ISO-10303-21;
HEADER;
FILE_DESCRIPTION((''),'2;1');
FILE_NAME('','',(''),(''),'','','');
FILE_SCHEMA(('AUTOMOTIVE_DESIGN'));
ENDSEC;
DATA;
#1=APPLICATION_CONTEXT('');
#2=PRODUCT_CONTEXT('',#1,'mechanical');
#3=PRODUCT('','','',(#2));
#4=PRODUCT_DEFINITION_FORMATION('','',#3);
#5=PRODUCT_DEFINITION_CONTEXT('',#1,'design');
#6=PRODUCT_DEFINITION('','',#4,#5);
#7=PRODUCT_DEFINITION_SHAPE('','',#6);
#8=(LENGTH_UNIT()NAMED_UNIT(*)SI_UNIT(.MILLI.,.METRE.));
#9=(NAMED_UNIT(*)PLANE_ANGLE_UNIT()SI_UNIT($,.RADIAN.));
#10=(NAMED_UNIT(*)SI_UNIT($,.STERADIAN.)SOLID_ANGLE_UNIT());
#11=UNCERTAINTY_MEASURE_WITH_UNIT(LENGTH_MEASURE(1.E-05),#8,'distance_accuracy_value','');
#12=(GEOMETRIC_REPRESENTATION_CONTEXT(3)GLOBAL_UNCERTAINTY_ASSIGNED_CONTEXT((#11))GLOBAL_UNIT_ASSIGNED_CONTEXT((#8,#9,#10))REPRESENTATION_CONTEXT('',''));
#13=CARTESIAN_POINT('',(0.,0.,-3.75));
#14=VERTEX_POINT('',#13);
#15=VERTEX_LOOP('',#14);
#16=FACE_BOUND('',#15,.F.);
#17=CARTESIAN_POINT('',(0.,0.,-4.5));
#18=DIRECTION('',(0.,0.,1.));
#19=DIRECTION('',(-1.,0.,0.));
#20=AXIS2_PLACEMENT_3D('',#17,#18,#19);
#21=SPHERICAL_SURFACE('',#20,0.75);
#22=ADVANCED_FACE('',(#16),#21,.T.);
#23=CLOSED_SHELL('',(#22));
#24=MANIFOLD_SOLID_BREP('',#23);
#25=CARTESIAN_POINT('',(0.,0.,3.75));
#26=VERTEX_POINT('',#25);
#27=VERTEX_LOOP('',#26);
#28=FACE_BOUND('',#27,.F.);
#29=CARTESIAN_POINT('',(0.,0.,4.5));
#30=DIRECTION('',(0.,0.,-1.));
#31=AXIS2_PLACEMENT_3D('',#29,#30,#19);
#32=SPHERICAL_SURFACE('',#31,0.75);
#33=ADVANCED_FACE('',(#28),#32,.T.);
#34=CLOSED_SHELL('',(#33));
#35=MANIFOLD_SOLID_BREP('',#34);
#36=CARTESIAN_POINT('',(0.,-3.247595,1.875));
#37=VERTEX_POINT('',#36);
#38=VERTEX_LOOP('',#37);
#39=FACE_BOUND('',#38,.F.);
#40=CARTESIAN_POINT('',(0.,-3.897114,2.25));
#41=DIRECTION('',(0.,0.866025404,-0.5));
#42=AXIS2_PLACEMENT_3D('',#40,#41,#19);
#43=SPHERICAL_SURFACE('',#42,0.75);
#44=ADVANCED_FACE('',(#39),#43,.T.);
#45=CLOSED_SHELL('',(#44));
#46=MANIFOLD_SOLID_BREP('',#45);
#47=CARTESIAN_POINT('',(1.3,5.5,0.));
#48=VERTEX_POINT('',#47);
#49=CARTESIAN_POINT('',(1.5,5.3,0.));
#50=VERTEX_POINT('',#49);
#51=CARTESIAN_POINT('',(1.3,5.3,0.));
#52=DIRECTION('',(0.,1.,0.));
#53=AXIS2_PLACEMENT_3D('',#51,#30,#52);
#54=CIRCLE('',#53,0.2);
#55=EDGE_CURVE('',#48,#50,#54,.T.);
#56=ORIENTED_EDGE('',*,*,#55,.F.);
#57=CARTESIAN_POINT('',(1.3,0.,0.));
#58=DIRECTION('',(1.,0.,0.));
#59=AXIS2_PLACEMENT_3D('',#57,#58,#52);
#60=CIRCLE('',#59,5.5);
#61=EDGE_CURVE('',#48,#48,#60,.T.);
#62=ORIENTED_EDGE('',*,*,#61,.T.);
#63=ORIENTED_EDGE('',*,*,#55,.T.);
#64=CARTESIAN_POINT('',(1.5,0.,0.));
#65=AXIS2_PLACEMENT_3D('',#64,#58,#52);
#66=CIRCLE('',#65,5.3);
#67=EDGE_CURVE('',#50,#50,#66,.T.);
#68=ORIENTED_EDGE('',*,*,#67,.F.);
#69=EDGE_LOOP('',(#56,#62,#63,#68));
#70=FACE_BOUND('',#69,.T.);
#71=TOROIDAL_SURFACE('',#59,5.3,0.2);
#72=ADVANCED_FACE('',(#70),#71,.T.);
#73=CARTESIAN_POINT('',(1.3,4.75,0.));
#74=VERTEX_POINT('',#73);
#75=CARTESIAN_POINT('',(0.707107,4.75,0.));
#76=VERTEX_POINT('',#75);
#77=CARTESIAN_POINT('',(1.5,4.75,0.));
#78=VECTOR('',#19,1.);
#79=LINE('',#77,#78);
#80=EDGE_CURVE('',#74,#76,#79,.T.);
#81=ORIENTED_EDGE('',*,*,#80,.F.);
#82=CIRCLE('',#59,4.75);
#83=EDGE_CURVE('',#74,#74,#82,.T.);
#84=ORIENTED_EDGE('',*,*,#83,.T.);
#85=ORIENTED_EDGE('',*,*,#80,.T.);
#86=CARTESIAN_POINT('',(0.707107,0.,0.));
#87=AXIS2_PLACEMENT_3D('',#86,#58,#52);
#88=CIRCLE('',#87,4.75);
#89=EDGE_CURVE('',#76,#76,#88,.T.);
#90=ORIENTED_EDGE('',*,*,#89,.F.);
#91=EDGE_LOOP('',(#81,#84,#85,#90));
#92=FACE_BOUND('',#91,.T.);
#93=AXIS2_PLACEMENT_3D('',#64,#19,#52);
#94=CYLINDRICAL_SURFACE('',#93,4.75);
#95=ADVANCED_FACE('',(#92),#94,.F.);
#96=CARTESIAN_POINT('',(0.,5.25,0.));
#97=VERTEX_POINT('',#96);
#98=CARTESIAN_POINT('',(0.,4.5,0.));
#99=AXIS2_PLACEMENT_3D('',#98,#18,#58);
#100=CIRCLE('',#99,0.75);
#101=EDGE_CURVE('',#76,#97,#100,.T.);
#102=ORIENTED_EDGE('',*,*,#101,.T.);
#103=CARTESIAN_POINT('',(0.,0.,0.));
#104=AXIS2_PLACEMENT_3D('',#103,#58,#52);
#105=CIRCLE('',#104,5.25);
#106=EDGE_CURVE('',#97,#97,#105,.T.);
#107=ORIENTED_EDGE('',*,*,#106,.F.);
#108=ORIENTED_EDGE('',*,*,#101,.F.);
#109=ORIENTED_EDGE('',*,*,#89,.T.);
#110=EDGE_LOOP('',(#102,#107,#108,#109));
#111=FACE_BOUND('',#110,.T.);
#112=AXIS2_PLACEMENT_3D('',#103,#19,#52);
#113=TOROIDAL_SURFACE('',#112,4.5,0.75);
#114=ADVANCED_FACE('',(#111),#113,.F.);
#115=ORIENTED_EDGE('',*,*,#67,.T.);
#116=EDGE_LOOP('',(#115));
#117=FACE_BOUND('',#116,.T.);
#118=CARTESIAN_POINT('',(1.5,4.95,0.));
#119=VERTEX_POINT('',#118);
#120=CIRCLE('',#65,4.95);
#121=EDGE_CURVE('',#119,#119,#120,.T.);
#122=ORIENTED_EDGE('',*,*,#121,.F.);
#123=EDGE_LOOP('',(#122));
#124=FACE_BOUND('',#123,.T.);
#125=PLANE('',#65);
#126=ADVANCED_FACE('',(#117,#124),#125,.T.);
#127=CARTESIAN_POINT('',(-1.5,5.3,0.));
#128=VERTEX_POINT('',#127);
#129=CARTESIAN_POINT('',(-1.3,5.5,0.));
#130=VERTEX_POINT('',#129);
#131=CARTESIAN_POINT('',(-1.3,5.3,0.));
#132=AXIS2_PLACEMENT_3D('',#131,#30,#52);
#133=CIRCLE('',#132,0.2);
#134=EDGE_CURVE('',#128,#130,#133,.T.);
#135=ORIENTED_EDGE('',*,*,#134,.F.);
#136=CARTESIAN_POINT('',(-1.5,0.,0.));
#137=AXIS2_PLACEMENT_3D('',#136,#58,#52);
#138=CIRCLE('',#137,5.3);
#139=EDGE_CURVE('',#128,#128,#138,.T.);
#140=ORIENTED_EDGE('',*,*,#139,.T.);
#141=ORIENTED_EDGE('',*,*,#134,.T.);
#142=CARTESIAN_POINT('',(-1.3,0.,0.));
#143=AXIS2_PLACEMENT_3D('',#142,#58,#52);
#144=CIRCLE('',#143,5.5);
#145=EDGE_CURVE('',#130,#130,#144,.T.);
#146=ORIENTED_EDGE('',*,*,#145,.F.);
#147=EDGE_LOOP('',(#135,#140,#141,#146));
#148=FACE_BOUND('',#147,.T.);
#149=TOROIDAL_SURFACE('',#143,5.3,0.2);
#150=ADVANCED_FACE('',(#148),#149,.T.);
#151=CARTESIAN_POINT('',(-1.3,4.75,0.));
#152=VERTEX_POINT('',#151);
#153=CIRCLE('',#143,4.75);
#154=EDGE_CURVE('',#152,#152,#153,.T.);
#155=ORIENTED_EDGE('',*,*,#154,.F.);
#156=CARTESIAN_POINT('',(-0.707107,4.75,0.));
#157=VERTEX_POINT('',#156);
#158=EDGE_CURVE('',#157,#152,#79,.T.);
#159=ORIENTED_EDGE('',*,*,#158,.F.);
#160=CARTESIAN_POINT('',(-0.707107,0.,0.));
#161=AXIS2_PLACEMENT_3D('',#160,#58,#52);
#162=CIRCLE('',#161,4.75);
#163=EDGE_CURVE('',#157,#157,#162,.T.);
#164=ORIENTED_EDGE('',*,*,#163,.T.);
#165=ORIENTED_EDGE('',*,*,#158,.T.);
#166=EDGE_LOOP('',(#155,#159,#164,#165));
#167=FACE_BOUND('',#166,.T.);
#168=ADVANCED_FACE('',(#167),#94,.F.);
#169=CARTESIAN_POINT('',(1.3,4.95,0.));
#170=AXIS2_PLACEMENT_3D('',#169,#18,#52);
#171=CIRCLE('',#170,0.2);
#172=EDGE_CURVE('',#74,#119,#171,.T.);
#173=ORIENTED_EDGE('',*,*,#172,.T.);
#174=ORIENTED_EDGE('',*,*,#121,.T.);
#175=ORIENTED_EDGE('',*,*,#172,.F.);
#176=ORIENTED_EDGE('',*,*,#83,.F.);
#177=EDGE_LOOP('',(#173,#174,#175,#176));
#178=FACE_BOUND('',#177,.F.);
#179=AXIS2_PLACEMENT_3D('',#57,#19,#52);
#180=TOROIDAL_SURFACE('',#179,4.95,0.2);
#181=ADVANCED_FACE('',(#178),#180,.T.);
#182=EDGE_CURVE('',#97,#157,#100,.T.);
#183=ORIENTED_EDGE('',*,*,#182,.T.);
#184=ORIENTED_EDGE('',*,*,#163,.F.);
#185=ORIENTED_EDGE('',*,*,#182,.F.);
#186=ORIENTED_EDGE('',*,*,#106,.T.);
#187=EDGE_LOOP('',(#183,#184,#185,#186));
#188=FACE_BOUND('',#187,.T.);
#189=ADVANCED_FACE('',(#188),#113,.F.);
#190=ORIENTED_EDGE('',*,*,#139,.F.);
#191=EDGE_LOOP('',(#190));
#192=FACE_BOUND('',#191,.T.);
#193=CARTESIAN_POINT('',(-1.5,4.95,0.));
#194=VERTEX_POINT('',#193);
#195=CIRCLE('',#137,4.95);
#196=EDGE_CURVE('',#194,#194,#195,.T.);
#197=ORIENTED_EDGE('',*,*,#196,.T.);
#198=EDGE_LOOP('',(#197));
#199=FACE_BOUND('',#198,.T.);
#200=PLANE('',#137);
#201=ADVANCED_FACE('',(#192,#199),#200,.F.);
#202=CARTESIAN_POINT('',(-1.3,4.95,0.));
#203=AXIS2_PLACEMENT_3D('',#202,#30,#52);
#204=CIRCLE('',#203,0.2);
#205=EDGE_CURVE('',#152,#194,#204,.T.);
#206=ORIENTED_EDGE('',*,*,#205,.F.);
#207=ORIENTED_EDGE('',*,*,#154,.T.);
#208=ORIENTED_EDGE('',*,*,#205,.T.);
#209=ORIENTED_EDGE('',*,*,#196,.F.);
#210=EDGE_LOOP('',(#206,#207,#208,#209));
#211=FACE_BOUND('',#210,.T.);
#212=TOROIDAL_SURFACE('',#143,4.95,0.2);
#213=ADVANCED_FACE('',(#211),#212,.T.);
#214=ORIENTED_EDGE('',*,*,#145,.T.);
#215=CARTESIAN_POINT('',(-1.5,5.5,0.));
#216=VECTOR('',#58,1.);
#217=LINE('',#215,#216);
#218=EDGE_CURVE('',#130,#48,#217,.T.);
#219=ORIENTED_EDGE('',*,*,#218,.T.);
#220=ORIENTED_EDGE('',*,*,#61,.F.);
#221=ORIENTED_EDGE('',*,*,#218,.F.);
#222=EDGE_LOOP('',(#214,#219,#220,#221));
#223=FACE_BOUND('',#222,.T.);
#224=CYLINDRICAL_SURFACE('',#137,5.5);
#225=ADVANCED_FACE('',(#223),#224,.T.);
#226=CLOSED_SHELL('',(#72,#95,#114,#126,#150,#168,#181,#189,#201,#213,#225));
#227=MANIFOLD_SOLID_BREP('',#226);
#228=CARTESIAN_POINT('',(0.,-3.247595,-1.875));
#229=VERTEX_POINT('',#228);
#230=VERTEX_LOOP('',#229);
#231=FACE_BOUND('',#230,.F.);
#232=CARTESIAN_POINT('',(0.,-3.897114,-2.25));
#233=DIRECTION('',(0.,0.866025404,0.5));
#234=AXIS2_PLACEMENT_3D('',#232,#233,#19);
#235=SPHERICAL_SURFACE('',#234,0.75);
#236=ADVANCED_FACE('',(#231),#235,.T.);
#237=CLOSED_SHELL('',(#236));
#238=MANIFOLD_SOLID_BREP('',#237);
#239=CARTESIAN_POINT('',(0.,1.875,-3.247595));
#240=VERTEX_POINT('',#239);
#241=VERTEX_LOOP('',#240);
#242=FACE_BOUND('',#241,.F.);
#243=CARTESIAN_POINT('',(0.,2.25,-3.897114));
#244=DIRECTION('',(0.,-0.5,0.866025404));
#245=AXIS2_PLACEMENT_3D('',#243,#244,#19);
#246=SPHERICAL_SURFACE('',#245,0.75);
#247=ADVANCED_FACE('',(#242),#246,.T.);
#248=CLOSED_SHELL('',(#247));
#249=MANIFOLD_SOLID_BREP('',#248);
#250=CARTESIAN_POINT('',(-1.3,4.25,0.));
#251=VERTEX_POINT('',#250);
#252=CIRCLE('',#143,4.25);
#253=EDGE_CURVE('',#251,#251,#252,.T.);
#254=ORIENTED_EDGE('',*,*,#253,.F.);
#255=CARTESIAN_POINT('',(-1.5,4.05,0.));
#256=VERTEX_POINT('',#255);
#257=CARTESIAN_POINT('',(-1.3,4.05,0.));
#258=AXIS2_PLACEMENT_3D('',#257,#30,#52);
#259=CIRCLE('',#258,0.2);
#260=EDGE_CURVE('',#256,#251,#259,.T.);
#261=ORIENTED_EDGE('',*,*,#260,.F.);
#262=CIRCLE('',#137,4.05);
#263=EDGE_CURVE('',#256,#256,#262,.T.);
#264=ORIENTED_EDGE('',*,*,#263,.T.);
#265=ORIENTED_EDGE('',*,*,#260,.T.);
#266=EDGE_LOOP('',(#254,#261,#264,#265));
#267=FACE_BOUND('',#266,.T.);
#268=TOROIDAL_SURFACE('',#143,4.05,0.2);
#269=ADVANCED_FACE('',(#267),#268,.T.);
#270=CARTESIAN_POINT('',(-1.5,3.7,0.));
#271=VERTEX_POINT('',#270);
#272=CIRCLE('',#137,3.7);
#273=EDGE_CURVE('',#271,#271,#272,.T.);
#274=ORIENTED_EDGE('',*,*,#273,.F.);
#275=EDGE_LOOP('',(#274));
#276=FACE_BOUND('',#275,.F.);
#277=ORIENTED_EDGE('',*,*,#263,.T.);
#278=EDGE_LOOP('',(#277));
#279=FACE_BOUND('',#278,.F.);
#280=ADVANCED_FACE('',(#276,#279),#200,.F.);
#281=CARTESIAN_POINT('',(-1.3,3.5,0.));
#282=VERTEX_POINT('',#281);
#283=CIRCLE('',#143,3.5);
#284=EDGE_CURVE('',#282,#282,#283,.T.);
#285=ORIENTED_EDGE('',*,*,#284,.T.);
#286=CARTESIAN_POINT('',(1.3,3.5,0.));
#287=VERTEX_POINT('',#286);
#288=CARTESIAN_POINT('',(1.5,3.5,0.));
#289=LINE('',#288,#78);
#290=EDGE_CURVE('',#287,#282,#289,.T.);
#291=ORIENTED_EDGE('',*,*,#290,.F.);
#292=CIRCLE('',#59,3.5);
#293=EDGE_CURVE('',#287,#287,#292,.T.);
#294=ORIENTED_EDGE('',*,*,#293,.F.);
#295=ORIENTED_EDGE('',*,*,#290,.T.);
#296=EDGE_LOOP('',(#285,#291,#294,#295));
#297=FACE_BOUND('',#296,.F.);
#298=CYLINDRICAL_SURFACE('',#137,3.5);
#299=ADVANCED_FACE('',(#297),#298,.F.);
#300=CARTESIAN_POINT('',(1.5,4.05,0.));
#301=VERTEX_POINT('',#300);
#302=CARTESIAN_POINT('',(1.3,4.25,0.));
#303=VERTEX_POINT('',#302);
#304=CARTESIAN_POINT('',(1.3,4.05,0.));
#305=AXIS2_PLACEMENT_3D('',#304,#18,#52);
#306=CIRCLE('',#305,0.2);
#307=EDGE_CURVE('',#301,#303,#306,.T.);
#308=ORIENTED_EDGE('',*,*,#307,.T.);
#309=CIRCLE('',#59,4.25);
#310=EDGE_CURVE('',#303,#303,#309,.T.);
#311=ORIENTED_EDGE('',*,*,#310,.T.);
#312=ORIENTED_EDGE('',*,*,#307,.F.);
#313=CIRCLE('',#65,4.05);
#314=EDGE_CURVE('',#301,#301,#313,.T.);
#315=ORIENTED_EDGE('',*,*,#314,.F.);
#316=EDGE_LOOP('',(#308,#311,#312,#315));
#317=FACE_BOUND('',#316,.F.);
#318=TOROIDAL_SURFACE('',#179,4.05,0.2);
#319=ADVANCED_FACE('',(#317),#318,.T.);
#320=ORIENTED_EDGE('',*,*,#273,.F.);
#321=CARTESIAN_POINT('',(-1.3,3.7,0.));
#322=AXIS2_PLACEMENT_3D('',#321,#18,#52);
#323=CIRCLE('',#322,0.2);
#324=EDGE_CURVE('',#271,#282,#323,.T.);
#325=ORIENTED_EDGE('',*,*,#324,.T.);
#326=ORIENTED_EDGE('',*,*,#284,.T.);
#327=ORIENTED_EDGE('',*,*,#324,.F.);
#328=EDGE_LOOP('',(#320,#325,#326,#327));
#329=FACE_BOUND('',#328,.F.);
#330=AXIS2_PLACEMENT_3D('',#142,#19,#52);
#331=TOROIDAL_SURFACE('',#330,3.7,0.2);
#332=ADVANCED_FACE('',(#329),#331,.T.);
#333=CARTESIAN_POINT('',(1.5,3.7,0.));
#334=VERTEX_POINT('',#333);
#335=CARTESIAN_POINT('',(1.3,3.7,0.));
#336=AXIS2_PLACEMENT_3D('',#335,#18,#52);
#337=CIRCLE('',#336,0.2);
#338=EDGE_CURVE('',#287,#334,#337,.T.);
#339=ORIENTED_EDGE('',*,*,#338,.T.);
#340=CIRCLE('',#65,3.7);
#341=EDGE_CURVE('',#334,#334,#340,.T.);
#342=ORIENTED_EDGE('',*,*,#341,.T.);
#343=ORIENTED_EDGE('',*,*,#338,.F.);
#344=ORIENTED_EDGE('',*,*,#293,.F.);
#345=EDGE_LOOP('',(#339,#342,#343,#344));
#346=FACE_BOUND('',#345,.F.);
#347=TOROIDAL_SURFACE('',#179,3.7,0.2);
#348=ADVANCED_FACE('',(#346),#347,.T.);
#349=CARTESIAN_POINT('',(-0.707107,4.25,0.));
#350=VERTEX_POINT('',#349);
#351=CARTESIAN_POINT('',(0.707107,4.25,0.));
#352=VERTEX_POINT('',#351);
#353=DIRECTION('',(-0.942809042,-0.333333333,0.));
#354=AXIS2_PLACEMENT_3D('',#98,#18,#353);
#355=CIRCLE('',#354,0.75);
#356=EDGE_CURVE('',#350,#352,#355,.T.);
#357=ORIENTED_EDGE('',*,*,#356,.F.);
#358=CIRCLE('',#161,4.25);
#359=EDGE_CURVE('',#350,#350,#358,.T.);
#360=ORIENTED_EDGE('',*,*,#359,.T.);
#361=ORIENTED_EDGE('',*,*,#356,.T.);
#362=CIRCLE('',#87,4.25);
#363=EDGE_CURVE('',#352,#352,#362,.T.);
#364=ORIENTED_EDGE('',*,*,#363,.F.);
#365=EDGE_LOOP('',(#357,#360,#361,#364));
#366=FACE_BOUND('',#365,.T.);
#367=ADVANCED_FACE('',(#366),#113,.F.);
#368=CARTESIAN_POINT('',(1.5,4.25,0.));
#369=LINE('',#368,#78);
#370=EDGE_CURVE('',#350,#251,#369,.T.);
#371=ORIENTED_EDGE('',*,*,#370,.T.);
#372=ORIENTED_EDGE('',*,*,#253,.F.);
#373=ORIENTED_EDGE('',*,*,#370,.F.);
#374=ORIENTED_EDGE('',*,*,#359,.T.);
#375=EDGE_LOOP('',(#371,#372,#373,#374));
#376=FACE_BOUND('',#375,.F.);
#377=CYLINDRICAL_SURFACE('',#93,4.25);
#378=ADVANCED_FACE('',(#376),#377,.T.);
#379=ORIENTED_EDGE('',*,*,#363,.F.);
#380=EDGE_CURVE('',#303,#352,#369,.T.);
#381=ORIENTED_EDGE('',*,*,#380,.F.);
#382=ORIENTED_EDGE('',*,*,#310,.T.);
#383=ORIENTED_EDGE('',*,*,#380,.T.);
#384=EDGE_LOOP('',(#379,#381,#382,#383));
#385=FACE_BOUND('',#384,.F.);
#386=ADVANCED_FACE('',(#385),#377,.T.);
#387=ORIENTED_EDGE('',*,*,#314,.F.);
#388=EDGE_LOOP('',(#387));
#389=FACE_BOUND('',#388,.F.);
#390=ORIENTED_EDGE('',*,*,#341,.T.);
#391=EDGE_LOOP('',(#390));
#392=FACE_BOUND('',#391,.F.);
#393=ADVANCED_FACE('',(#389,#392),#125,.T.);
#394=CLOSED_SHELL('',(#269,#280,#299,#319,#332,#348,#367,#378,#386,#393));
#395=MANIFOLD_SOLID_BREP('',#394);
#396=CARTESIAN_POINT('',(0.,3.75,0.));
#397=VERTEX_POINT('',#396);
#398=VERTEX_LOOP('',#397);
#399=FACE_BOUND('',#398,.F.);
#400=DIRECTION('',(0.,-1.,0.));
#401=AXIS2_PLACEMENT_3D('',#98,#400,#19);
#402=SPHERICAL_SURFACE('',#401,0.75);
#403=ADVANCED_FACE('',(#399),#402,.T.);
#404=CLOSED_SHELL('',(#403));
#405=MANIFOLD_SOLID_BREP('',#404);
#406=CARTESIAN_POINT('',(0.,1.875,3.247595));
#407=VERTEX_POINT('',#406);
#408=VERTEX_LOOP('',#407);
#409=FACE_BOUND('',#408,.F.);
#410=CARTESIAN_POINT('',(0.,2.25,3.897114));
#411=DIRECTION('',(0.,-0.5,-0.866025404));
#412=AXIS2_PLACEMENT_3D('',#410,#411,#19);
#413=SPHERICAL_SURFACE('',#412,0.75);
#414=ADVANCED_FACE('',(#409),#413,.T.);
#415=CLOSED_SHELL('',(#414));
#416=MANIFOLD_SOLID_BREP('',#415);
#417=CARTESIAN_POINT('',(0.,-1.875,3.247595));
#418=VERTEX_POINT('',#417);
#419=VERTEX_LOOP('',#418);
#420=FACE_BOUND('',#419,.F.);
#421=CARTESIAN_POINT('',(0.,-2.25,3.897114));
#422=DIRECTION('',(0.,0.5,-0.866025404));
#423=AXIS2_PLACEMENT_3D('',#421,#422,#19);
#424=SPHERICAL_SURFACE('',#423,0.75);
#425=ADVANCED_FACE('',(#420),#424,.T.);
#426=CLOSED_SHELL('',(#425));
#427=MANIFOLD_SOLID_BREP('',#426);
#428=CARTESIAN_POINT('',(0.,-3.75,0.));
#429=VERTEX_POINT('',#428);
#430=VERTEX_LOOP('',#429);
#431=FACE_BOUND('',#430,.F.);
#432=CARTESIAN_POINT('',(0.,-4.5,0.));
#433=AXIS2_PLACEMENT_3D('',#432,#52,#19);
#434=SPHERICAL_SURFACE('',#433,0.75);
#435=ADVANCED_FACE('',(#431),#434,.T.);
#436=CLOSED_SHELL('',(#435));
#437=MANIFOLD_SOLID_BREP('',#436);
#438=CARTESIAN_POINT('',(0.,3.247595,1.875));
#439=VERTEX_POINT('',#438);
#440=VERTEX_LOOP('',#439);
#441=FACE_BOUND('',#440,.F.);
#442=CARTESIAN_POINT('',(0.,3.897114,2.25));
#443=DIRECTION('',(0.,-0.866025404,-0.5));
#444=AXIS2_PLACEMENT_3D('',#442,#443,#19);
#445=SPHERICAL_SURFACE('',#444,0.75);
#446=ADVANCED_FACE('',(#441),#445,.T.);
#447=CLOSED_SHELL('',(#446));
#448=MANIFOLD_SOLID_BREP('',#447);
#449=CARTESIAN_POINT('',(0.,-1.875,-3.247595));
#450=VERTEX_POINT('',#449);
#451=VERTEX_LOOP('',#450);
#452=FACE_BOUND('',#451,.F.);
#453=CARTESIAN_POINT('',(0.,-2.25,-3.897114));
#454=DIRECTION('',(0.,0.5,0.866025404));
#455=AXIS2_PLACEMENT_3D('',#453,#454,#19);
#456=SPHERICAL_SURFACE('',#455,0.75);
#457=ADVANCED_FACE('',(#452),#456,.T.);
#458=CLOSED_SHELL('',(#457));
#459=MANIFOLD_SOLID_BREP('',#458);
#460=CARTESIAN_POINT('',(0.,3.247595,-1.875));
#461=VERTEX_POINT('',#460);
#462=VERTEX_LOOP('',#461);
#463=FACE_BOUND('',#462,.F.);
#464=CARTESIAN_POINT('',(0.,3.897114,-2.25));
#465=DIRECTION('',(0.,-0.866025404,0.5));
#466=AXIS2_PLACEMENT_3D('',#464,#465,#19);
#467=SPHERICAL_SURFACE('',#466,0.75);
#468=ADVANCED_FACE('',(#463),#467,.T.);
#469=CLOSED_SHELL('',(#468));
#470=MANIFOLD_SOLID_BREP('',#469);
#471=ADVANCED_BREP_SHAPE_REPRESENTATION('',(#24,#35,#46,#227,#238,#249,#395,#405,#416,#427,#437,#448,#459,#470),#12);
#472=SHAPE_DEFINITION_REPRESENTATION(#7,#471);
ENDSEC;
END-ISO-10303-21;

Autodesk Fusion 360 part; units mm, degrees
sketch "Sketch1" plane through (0, 0, 0) normal (0, 0, 1) x (1, 0, 0)
  line L0 (-1.5, 3.5) -> (1.5, 3.5)
  line L1 (1.5, 3.5) -> (1.5, 4.25)
  line L2 (1.5, 4.25) -> (-1.5, 4.25)
  line L3 (-1.5, 4.25) -> (-1.5, 3.5)
  line L4 (-1.5, 5.5) -> (1.5, 5.5)
  line L5 (1.5, 5.5) -> (1.5, 4.75)
  line L6 (1.5, 4.75) -> (-1.5, 4.75)
  line L7 (-1.5, 4.75) -> (-1.5, 5.5)
  circle A0 centre (0, 4.5) radius 0.75
  line L8 (0, 3.5) -> (0, 5.5)
  line L9 (0, 3.5) -> (0, 0) construction
  dimension "d1" = 3
  dimension "d2" = 3.5
  dimension "d3" = 5.5
  dimension "d4" = 1.5
  dimension "d5" = 0.75
revolve "Revolve1" add sketch "Sketch1" angle 360 about axis through (1.75, 0, 0) along (1, 0, 0) contours L0 L2 L3 A0 L8 | L0 L1 L2 A0 L8 | L4 L6 L7 A0 L8 | L4 L5 L6 A0 L8 makes body 1 at (-0.5, 3.4956, -0.1745) makes body 2 at (-0.5, 5.4932, -0.2742)
revolve "Revolve2" add sketch "Sketch1" angle 360 about axis through (0, 3.5, 0) along (0, 1, 0) separate body contours L2 A0 L8 | L2 L6 A0 L8 | L6 A0 L8 picked at (-0.0341, 3.919) picked at (-0.2494, 4.483) picked at (-0.0341, 5.081) makes body 3
pattern_circular "C-Pattern1" count 12 over 360 about axis through (1.75, 0, 0) along (1, 0, 0) of bodies 3 makes body 4 at (-0.7111, 3.9467, 2.4833) makes body 5 at (-0.7111, 2.1763, 4.124) makes body 6 at (-0.7111, -0.1773, 4.6596) makes body 7 at (-0.7111, -2.1763, 4.124) makes body 8 at (-0.7111, -3.9467, 2.4833) makes body 9 at (-0.7111, -4.6596, -0.1773) makes body 10 at (-0.7111, -4.124, -2.1763) makes body 11 at (-0.7111, -2.1763, -4.124) makes body 12 at (-0.7111, 0.1773, -4.6596) makes body 13 at (-0.7111, 2.4833, -3.9467) makes body 14 at (-0.7111, 4.124, -2.1763)
fillet "Fillet1" radius 0.2 4 faces at (1.5, 3.9842, -0.2111) (-1.5, 3.9842, -0.2111) (1.5, 5.2295, -0.2732) (-1.5, 5.2295, -0.2732) on bodies 1 2
copy_body "Body->Comp1" bodies 1 removing the originals makes body 15 in component "inner"
copy_body "Body->Comp2" bodies 2 removing the originals makes body 16 in component "outer"
copy_body "CutPasteBodies1" bodies 3 10 11 4 7 5 14 13 12 6 9 8 removing the originals makes body 17 makes body 18 makes body 19 makes body 20 makes body 21 makes body 22 makes body 23 makes body 24 makes body 25 makes body 26 makes body 27 makes body 28 in component "outer"
copy_body "CutPasteBodies1'" bodies 17 28 23 22 19 20 21 18 24 25 27 26 removing the originals makes body 29 makes body 30 makes body 31 makes body 32 makes body 33 makes body 34 makes body 35 makes body 36 makes body 37 makes body 38 makes body 39 makes body 40 in component "inner"
component "inner" placed x (1, 0, 0) y (0, 1, 0) z (0, 0, 1) at (0, 0, 0)
component "outer" placed x (1, 0, 0) y (0, 1, 0) z (0, 0, 1) at (0, 0, 0)
equation "d2 = ( 7 / 2 ) * 1 mm"
equation "d3 = ( 11 / 2 ) * 1 mm"
